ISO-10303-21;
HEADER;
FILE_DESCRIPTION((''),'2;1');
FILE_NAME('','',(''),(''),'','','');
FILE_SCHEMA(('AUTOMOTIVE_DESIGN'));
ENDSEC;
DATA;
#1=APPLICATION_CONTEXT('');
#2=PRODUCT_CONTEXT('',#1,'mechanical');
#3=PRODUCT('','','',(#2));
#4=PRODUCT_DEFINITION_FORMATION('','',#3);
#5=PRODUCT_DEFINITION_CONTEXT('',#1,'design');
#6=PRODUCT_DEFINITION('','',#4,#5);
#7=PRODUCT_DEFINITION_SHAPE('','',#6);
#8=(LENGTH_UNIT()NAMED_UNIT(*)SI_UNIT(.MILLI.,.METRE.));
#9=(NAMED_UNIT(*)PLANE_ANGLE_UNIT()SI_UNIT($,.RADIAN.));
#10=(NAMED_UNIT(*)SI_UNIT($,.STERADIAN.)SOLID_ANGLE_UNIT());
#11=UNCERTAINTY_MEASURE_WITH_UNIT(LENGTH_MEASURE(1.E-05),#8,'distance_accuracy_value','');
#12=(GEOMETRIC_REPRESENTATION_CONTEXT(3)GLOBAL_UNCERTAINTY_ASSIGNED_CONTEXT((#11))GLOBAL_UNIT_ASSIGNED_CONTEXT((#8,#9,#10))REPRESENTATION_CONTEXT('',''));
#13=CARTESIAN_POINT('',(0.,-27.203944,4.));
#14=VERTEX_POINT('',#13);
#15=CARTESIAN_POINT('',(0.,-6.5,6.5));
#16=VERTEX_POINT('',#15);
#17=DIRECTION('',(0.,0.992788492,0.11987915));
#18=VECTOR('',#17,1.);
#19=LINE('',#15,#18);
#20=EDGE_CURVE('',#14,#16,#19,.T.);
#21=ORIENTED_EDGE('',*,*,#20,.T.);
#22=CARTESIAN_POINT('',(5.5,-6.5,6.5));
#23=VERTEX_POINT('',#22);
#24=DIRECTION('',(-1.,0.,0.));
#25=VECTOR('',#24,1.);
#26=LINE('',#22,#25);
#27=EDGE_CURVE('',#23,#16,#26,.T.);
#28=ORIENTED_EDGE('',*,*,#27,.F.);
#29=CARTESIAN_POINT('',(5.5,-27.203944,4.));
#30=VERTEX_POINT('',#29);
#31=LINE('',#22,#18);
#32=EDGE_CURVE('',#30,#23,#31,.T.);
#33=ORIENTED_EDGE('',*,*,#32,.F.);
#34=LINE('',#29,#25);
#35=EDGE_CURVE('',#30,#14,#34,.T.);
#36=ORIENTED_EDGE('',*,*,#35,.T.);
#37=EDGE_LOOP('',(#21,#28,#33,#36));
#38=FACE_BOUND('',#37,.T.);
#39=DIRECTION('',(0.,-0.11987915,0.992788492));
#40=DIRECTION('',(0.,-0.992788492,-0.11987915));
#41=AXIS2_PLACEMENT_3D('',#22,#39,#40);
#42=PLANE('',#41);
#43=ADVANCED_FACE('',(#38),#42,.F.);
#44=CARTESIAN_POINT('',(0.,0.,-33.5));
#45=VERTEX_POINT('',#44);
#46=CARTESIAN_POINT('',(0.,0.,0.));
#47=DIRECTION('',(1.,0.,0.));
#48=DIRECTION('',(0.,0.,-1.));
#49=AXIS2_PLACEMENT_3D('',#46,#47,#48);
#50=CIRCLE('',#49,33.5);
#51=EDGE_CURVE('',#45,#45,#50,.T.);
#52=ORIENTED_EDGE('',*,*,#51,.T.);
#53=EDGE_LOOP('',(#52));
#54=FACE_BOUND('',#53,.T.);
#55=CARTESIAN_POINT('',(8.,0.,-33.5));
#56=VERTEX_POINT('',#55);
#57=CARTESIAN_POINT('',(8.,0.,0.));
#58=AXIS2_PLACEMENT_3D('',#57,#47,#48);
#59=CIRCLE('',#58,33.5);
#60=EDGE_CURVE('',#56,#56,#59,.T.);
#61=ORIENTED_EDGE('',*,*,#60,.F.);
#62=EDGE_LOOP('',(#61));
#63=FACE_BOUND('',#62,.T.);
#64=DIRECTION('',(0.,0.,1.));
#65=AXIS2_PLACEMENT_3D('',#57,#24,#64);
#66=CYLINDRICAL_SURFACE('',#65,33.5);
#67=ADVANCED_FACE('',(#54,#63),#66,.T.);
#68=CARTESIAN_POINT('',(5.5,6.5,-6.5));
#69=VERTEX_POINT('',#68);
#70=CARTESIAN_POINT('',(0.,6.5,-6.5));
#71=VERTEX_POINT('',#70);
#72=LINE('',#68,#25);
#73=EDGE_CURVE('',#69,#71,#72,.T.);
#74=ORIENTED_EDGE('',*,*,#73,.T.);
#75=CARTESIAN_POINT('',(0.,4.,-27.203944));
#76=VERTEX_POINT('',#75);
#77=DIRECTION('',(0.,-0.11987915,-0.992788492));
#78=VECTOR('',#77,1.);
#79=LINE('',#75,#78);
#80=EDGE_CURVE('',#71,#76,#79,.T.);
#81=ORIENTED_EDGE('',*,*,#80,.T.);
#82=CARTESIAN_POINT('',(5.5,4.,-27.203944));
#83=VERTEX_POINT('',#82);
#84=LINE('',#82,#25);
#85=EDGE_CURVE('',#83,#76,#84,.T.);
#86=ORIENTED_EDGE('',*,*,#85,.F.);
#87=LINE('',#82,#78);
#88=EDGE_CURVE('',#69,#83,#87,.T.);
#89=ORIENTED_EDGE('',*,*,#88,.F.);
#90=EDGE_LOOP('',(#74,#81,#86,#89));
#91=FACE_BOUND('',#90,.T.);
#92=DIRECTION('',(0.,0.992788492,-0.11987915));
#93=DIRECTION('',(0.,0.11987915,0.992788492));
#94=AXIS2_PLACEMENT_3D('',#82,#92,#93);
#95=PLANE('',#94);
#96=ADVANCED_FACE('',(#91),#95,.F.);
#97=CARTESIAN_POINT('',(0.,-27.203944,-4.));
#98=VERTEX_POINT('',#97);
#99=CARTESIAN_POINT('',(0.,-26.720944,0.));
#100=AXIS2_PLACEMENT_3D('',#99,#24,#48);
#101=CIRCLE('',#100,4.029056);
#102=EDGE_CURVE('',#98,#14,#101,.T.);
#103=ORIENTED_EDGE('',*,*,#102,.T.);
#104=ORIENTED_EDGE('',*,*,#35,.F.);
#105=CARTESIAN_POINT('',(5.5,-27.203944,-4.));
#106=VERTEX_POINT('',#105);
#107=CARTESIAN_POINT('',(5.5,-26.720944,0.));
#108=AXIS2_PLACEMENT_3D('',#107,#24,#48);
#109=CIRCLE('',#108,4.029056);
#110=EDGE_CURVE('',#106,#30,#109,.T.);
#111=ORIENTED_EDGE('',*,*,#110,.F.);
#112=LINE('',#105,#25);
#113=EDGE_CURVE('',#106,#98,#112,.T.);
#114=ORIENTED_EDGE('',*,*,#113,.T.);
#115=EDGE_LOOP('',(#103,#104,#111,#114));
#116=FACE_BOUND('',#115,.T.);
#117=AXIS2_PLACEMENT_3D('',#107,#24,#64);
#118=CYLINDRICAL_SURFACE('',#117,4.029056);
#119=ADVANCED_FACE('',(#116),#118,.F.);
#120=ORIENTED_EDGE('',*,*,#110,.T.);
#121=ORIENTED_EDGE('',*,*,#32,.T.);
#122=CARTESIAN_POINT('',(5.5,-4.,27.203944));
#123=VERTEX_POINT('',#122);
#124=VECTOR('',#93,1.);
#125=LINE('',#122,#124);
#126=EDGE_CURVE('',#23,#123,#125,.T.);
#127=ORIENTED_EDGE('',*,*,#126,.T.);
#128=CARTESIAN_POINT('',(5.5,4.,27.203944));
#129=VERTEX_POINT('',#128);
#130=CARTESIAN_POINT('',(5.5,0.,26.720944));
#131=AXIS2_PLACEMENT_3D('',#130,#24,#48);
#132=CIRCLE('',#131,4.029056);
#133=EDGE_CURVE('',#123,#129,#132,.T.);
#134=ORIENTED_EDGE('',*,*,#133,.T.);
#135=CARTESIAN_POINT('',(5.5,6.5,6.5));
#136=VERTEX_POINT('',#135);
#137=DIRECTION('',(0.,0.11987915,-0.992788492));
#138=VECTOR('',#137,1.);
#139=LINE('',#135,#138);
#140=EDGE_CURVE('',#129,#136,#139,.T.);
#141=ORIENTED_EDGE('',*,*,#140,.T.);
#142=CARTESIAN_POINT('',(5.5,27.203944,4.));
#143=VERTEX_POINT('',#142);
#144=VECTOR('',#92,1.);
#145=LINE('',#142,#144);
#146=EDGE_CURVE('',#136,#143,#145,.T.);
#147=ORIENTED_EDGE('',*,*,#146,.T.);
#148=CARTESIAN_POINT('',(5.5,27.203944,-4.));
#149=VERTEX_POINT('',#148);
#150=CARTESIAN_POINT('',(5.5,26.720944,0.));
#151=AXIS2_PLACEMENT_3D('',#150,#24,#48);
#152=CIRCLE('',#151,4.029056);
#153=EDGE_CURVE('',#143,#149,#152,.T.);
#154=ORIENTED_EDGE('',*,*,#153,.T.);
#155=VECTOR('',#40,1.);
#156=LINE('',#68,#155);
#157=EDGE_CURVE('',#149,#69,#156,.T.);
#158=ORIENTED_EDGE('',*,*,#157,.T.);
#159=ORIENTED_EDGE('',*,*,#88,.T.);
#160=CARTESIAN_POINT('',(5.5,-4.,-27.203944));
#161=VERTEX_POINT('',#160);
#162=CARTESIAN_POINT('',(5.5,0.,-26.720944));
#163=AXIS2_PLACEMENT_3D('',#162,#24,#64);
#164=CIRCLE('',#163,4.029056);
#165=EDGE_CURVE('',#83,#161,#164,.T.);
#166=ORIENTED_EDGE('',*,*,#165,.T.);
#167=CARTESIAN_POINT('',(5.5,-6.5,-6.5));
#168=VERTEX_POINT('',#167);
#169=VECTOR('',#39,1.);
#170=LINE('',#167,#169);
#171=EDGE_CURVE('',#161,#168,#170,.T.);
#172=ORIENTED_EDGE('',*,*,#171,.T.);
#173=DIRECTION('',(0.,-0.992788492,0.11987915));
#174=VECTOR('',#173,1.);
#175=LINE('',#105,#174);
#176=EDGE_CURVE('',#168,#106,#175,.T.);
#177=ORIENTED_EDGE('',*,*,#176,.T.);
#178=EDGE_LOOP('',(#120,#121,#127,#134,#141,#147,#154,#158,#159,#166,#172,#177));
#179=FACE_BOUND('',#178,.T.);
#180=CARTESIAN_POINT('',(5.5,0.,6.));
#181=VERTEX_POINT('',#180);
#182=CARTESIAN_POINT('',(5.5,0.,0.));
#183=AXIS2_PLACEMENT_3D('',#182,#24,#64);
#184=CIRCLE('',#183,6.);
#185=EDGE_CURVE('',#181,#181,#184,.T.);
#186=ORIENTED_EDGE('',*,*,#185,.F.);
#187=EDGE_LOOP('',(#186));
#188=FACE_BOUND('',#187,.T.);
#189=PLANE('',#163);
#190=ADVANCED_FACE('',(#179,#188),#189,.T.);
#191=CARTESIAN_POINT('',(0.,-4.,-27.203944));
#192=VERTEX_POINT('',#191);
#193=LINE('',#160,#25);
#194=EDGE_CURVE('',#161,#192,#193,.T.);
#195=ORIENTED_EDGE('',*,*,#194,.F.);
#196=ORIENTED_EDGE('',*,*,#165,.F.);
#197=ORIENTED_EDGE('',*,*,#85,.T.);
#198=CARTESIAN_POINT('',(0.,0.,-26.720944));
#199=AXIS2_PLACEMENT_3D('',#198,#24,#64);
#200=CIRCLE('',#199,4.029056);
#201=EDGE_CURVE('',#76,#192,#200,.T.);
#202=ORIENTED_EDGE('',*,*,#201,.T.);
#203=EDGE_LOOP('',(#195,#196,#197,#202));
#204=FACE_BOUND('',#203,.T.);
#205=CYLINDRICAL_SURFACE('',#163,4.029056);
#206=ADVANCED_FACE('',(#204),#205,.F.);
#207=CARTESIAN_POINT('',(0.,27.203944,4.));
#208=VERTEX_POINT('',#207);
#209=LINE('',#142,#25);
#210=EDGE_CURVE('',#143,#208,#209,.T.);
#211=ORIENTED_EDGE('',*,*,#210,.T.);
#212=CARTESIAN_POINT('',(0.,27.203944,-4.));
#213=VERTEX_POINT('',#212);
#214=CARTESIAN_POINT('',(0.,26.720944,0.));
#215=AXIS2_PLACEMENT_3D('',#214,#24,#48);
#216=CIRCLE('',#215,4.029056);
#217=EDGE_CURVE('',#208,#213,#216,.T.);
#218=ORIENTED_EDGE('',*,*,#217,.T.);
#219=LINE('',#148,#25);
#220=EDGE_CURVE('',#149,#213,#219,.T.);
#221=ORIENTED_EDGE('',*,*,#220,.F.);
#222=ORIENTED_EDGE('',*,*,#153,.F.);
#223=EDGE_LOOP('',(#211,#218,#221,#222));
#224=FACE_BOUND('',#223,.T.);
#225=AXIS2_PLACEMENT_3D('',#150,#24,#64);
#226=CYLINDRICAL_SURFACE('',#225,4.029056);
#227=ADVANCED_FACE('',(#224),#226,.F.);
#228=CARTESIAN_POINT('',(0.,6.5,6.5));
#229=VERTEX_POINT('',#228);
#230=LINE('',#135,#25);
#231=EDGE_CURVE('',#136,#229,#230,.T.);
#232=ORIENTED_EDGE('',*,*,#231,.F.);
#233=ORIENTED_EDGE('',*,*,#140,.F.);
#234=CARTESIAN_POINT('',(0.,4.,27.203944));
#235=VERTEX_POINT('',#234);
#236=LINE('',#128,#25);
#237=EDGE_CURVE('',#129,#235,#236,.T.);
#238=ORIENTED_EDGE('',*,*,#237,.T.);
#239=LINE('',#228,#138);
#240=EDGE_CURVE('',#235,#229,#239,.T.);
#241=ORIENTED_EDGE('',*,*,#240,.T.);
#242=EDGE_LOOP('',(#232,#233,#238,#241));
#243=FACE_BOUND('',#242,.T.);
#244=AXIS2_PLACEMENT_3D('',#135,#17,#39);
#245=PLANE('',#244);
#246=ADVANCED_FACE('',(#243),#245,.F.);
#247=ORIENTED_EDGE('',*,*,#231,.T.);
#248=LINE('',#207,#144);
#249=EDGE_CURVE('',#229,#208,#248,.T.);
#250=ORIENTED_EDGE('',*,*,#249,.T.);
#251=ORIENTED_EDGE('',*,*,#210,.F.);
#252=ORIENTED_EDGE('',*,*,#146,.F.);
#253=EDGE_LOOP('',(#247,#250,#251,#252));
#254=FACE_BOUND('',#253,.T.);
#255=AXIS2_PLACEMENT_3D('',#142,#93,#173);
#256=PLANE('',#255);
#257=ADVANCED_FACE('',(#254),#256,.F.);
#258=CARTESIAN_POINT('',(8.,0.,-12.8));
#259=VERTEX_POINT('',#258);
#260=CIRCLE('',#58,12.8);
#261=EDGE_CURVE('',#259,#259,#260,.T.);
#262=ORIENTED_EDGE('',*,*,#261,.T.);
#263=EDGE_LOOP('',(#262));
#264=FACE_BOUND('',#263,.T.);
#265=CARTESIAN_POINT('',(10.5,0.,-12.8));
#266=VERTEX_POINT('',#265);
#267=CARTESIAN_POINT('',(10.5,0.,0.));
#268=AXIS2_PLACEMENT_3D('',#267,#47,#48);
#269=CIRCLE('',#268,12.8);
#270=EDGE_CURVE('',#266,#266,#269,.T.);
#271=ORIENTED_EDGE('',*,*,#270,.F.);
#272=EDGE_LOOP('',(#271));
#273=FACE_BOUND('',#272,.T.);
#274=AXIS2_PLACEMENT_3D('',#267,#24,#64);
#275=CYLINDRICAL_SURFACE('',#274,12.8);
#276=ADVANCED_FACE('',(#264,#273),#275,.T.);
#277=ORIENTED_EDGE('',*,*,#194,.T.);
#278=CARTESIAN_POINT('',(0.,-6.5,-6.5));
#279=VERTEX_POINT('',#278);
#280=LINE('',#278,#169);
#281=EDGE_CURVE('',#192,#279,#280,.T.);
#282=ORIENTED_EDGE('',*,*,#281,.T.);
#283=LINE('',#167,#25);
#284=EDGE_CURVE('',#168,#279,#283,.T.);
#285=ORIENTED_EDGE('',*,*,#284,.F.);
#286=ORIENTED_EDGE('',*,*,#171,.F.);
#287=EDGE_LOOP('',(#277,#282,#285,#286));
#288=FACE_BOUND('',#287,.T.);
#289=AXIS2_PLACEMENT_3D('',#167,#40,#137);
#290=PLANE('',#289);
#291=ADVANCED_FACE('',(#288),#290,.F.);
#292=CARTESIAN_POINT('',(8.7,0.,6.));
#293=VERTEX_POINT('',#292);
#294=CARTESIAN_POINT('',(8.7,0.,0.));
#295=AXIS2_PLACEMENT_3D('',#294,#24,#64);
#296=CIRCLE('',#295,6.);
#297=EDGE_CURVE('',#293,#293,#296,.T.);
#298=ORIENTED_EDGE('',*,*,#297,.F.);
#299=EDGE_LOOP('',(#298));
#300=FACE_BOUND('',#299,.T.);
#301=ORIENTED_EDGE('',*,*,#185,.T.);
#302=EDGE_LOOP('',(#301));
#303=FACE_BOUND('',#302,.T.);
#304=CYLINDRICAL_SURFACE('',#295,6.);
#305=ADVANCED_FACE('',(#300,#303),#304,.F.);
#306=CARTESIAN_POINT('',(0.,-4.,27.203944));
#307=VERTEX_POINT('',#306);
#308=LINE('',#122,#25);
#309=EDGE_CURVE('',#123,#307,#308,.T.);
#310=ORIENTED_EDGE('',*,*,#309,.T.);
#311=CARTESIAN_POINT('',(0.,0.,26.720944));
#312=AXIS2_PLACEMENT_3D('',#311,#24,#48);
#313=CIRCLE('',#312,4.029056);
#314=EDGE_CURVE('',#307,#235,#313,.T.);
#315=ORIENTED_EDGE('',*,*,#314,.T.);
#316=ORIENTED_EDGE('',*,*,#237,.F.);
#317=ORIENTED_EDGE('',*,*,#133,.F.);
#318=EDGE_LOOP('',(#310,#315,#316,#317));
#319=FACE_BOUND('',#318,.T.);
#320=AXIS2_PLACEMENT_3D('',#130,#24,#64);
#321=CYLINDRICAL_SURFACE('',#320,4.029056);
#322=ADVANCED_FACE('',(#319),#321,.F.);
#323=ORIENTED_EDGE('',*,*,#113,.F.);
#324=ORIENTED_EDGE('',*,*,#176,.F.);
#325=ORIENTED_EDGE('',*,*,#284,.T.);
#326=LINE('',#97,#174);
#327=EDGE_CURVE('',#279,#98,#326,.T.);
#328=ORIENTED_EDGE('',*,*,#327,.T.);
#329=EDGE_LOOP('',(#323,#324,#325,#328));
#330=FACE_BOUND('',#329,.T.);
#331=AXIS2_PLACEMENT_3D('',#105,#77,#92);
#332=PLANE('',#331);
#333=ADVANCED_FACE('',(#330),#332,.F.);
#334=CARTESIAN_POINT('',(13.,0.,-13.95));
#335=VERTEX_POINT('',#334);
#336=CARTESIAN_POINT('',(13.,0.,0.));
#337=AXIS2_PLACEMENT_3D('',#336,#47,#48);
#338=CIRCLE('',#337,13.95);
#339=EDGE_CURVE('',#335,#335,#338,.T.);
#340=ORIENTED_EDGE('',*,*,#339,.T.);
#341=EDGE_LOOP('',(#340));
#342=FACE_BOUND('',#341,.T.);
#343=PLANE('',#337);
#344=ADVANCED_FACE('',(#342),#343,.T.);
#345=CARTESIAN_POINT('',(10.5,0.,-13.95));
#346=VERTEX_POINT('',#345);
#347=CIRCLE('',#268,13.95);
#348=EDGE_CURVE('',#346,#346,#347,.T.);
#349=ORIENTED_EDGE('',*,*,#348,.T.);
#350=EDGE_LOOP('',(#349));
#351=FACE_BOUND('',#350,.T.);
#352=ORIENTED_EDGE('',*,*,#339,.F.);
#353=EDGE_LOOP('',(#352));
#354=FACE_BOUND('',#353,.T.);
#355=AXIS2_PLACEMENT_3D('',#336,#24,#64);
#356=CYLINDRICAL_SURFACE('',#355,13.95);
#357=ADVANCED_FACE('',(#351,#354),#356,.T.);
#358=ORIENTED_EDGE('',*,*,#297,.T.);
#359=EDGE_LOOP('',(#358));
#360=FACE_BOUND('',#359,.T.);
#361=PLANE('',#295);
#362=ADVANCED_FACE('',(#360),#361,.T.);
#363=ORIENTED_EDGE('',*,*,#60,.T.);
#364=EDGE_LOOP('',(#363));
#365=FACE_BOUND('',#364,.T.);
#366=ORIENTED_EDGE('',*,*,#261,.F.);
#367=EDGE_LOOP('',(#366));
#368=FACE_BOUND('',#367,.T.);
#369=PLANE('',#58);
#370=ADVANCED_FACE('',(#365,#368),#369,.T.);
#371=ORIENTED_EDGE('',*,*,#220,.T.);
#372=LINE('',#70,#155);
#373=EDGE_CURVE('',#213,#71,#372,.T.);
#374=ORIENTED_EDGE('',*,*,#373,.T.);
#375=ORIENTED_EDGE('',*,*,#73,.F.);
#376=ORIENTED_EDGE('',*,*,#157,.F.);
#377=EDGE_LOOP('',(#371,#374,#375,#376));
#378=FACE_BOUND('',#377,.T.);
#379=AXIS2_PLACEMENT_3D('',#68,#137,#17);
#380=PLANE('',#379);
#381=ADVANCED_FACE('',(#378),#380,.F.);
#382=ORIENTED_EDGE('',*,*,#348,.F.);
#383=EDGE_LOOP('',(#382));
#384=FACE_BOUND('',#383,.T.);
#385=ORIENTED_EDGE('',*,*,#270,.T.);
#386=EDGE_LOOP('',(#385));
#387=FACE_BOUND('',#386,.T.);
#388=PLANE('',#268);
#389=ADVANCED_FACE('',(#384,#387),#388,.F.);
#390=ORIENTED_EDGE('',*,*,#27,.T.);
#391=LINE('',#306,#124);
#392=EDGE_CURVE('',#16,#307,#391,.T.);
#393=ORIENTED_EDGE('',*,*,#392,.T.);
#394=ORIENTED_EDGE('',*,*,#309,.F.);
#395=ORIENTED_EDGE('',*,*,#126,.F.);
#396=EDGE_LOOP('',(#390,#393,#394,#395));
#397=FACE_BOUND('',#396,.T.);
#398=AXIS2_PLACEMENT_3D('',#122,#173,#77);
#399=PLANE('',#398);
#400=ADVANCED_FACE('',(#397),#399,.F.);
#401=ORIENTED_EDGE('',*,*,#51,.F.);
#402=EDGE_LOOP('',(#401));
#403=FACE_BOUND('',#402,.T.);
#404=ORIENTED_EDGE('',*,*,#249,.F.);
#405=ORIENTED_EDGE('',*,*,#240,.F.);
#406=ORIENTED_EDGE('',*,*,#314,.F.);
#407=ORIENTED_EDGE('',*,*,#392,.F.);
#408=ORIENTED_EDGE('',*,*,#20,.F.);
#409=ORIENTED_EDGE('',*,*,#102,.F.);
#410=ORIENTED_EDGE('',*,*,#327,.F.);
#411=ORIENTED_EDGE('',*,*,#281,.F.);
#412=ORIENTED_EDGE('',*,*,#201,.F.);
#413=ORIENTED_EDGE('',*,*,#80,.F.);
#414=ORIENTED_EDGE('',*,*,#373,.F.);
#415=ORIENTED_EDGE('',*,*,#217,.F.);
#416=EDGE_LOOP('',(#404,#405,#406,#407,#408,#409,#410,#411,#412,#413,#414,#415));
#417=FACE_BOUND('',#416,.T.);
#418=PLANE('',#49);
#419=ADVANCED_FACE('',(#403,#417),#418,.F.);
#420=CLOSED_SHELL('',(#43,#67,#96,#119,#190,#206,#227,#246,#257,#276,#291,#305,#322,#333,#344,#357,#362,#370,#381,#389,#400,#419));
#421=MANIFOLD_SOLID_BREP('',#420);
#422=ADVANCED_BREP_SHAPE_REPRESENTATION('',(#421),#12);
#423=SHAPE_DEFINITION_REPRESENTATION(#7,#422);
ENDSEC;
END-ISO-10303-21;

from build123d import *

# Parameters (mm, degrees)
SKETCH2_R           = 33.5
BOSS_EXTRUDE1_DEPTH = 8
SKETCH7_R           = 12.8
BOSS_EXTRUDE2_DEPTH = 2.5
SKETCH8_R           = 13.95
BOSS_EXTRUDE3_DEPTH = 2.5
CUT_EXTRUDE1_DEPTH  = 5.5
SKETCH11_R          = 6
CUT_EXTRUDE2_DEPTH  = 3.2


with BuildPart() as part:
    # Sketch2 → Boss-Extrude1 (new body)
    with BuildSketch(Plane(origin=(0, 0, 0), x_dir=(0, 0, -1), z_dir=(1, 0, 0))):
        Circle(SKETCH2_R)
    extrude(amount=BOSS_EXTRUDE1_DEPTH)

    # Sketch7 → Boss-Extrude2 (add)
    with BuildSketch(Plane(origin=(8, 0, 0), x_dir=(0, 0, -1), z_dir=(1, 0, 0))):
        Circle(SKETCH7_R)
    extrude(amount=BOSS_EXTRUDE2_DEPTH)

    # Sketch8 → Boss-Extrude3 (add)
    with BuildSketch(Plane(origin=(10.5, 0, 0), x_dir=(0, 0, -1), z_dir=(1, 0, 0))):
        Circle(SKETCH8_R)
    extrude(amount=BOSS_EXTRUDE3_DEPTH)

    # Sketch10 → Cut-Extrude1 (cut)
    with BuildSketch(Plane.ZY):
        with BuildLine():
            Line((-4, -27.203944189), (-6.5, -6.5))
            Line((-6.5, -6.5), (-27.203944189, -4))
            ThreePointArc((-27.203944189, -4), (-30.75, 0), (-27.203944189, 4))
            Line((-27.203944189, 4), (-6.5, 6.5))
            Line((-6.5, 6.5), (-4, 27.203944189))
            ThreePointArc((-4, 27.203944189), (0, 30.75), (4, 27.203944189))
            Line((4, 27.203944189), (6.5, 6.5))
            Line((6.5, 6.5), (27.203944189, 4))
            ThreePointArc((27.203944189, 4), (30.75, 0), (27.203944189, -4))
            Line((27.203944189, -4), (6.5, -6.5))
            Line((6.5, -6.5), (4, -27.203944189))
            ThreePointArc((4, -27.203944189), (0, -30.75), (-4, -27.203944189))
        make_face()
    extrude(amount=-CUT_EXTRUDE1_DEPTH, mode=Mode.SUBTRACT)

    # Sketch11 → Cut-Extrude2 (cut)
    with BuildSketch(Plane.ZY.offset(-5.5)):
        Circle(SKETCH11_R)
    extrude(amount=-CUT_EXTRUDE2_DEPTH, mode=Mode.SUBTRACT)


solid = part.part
